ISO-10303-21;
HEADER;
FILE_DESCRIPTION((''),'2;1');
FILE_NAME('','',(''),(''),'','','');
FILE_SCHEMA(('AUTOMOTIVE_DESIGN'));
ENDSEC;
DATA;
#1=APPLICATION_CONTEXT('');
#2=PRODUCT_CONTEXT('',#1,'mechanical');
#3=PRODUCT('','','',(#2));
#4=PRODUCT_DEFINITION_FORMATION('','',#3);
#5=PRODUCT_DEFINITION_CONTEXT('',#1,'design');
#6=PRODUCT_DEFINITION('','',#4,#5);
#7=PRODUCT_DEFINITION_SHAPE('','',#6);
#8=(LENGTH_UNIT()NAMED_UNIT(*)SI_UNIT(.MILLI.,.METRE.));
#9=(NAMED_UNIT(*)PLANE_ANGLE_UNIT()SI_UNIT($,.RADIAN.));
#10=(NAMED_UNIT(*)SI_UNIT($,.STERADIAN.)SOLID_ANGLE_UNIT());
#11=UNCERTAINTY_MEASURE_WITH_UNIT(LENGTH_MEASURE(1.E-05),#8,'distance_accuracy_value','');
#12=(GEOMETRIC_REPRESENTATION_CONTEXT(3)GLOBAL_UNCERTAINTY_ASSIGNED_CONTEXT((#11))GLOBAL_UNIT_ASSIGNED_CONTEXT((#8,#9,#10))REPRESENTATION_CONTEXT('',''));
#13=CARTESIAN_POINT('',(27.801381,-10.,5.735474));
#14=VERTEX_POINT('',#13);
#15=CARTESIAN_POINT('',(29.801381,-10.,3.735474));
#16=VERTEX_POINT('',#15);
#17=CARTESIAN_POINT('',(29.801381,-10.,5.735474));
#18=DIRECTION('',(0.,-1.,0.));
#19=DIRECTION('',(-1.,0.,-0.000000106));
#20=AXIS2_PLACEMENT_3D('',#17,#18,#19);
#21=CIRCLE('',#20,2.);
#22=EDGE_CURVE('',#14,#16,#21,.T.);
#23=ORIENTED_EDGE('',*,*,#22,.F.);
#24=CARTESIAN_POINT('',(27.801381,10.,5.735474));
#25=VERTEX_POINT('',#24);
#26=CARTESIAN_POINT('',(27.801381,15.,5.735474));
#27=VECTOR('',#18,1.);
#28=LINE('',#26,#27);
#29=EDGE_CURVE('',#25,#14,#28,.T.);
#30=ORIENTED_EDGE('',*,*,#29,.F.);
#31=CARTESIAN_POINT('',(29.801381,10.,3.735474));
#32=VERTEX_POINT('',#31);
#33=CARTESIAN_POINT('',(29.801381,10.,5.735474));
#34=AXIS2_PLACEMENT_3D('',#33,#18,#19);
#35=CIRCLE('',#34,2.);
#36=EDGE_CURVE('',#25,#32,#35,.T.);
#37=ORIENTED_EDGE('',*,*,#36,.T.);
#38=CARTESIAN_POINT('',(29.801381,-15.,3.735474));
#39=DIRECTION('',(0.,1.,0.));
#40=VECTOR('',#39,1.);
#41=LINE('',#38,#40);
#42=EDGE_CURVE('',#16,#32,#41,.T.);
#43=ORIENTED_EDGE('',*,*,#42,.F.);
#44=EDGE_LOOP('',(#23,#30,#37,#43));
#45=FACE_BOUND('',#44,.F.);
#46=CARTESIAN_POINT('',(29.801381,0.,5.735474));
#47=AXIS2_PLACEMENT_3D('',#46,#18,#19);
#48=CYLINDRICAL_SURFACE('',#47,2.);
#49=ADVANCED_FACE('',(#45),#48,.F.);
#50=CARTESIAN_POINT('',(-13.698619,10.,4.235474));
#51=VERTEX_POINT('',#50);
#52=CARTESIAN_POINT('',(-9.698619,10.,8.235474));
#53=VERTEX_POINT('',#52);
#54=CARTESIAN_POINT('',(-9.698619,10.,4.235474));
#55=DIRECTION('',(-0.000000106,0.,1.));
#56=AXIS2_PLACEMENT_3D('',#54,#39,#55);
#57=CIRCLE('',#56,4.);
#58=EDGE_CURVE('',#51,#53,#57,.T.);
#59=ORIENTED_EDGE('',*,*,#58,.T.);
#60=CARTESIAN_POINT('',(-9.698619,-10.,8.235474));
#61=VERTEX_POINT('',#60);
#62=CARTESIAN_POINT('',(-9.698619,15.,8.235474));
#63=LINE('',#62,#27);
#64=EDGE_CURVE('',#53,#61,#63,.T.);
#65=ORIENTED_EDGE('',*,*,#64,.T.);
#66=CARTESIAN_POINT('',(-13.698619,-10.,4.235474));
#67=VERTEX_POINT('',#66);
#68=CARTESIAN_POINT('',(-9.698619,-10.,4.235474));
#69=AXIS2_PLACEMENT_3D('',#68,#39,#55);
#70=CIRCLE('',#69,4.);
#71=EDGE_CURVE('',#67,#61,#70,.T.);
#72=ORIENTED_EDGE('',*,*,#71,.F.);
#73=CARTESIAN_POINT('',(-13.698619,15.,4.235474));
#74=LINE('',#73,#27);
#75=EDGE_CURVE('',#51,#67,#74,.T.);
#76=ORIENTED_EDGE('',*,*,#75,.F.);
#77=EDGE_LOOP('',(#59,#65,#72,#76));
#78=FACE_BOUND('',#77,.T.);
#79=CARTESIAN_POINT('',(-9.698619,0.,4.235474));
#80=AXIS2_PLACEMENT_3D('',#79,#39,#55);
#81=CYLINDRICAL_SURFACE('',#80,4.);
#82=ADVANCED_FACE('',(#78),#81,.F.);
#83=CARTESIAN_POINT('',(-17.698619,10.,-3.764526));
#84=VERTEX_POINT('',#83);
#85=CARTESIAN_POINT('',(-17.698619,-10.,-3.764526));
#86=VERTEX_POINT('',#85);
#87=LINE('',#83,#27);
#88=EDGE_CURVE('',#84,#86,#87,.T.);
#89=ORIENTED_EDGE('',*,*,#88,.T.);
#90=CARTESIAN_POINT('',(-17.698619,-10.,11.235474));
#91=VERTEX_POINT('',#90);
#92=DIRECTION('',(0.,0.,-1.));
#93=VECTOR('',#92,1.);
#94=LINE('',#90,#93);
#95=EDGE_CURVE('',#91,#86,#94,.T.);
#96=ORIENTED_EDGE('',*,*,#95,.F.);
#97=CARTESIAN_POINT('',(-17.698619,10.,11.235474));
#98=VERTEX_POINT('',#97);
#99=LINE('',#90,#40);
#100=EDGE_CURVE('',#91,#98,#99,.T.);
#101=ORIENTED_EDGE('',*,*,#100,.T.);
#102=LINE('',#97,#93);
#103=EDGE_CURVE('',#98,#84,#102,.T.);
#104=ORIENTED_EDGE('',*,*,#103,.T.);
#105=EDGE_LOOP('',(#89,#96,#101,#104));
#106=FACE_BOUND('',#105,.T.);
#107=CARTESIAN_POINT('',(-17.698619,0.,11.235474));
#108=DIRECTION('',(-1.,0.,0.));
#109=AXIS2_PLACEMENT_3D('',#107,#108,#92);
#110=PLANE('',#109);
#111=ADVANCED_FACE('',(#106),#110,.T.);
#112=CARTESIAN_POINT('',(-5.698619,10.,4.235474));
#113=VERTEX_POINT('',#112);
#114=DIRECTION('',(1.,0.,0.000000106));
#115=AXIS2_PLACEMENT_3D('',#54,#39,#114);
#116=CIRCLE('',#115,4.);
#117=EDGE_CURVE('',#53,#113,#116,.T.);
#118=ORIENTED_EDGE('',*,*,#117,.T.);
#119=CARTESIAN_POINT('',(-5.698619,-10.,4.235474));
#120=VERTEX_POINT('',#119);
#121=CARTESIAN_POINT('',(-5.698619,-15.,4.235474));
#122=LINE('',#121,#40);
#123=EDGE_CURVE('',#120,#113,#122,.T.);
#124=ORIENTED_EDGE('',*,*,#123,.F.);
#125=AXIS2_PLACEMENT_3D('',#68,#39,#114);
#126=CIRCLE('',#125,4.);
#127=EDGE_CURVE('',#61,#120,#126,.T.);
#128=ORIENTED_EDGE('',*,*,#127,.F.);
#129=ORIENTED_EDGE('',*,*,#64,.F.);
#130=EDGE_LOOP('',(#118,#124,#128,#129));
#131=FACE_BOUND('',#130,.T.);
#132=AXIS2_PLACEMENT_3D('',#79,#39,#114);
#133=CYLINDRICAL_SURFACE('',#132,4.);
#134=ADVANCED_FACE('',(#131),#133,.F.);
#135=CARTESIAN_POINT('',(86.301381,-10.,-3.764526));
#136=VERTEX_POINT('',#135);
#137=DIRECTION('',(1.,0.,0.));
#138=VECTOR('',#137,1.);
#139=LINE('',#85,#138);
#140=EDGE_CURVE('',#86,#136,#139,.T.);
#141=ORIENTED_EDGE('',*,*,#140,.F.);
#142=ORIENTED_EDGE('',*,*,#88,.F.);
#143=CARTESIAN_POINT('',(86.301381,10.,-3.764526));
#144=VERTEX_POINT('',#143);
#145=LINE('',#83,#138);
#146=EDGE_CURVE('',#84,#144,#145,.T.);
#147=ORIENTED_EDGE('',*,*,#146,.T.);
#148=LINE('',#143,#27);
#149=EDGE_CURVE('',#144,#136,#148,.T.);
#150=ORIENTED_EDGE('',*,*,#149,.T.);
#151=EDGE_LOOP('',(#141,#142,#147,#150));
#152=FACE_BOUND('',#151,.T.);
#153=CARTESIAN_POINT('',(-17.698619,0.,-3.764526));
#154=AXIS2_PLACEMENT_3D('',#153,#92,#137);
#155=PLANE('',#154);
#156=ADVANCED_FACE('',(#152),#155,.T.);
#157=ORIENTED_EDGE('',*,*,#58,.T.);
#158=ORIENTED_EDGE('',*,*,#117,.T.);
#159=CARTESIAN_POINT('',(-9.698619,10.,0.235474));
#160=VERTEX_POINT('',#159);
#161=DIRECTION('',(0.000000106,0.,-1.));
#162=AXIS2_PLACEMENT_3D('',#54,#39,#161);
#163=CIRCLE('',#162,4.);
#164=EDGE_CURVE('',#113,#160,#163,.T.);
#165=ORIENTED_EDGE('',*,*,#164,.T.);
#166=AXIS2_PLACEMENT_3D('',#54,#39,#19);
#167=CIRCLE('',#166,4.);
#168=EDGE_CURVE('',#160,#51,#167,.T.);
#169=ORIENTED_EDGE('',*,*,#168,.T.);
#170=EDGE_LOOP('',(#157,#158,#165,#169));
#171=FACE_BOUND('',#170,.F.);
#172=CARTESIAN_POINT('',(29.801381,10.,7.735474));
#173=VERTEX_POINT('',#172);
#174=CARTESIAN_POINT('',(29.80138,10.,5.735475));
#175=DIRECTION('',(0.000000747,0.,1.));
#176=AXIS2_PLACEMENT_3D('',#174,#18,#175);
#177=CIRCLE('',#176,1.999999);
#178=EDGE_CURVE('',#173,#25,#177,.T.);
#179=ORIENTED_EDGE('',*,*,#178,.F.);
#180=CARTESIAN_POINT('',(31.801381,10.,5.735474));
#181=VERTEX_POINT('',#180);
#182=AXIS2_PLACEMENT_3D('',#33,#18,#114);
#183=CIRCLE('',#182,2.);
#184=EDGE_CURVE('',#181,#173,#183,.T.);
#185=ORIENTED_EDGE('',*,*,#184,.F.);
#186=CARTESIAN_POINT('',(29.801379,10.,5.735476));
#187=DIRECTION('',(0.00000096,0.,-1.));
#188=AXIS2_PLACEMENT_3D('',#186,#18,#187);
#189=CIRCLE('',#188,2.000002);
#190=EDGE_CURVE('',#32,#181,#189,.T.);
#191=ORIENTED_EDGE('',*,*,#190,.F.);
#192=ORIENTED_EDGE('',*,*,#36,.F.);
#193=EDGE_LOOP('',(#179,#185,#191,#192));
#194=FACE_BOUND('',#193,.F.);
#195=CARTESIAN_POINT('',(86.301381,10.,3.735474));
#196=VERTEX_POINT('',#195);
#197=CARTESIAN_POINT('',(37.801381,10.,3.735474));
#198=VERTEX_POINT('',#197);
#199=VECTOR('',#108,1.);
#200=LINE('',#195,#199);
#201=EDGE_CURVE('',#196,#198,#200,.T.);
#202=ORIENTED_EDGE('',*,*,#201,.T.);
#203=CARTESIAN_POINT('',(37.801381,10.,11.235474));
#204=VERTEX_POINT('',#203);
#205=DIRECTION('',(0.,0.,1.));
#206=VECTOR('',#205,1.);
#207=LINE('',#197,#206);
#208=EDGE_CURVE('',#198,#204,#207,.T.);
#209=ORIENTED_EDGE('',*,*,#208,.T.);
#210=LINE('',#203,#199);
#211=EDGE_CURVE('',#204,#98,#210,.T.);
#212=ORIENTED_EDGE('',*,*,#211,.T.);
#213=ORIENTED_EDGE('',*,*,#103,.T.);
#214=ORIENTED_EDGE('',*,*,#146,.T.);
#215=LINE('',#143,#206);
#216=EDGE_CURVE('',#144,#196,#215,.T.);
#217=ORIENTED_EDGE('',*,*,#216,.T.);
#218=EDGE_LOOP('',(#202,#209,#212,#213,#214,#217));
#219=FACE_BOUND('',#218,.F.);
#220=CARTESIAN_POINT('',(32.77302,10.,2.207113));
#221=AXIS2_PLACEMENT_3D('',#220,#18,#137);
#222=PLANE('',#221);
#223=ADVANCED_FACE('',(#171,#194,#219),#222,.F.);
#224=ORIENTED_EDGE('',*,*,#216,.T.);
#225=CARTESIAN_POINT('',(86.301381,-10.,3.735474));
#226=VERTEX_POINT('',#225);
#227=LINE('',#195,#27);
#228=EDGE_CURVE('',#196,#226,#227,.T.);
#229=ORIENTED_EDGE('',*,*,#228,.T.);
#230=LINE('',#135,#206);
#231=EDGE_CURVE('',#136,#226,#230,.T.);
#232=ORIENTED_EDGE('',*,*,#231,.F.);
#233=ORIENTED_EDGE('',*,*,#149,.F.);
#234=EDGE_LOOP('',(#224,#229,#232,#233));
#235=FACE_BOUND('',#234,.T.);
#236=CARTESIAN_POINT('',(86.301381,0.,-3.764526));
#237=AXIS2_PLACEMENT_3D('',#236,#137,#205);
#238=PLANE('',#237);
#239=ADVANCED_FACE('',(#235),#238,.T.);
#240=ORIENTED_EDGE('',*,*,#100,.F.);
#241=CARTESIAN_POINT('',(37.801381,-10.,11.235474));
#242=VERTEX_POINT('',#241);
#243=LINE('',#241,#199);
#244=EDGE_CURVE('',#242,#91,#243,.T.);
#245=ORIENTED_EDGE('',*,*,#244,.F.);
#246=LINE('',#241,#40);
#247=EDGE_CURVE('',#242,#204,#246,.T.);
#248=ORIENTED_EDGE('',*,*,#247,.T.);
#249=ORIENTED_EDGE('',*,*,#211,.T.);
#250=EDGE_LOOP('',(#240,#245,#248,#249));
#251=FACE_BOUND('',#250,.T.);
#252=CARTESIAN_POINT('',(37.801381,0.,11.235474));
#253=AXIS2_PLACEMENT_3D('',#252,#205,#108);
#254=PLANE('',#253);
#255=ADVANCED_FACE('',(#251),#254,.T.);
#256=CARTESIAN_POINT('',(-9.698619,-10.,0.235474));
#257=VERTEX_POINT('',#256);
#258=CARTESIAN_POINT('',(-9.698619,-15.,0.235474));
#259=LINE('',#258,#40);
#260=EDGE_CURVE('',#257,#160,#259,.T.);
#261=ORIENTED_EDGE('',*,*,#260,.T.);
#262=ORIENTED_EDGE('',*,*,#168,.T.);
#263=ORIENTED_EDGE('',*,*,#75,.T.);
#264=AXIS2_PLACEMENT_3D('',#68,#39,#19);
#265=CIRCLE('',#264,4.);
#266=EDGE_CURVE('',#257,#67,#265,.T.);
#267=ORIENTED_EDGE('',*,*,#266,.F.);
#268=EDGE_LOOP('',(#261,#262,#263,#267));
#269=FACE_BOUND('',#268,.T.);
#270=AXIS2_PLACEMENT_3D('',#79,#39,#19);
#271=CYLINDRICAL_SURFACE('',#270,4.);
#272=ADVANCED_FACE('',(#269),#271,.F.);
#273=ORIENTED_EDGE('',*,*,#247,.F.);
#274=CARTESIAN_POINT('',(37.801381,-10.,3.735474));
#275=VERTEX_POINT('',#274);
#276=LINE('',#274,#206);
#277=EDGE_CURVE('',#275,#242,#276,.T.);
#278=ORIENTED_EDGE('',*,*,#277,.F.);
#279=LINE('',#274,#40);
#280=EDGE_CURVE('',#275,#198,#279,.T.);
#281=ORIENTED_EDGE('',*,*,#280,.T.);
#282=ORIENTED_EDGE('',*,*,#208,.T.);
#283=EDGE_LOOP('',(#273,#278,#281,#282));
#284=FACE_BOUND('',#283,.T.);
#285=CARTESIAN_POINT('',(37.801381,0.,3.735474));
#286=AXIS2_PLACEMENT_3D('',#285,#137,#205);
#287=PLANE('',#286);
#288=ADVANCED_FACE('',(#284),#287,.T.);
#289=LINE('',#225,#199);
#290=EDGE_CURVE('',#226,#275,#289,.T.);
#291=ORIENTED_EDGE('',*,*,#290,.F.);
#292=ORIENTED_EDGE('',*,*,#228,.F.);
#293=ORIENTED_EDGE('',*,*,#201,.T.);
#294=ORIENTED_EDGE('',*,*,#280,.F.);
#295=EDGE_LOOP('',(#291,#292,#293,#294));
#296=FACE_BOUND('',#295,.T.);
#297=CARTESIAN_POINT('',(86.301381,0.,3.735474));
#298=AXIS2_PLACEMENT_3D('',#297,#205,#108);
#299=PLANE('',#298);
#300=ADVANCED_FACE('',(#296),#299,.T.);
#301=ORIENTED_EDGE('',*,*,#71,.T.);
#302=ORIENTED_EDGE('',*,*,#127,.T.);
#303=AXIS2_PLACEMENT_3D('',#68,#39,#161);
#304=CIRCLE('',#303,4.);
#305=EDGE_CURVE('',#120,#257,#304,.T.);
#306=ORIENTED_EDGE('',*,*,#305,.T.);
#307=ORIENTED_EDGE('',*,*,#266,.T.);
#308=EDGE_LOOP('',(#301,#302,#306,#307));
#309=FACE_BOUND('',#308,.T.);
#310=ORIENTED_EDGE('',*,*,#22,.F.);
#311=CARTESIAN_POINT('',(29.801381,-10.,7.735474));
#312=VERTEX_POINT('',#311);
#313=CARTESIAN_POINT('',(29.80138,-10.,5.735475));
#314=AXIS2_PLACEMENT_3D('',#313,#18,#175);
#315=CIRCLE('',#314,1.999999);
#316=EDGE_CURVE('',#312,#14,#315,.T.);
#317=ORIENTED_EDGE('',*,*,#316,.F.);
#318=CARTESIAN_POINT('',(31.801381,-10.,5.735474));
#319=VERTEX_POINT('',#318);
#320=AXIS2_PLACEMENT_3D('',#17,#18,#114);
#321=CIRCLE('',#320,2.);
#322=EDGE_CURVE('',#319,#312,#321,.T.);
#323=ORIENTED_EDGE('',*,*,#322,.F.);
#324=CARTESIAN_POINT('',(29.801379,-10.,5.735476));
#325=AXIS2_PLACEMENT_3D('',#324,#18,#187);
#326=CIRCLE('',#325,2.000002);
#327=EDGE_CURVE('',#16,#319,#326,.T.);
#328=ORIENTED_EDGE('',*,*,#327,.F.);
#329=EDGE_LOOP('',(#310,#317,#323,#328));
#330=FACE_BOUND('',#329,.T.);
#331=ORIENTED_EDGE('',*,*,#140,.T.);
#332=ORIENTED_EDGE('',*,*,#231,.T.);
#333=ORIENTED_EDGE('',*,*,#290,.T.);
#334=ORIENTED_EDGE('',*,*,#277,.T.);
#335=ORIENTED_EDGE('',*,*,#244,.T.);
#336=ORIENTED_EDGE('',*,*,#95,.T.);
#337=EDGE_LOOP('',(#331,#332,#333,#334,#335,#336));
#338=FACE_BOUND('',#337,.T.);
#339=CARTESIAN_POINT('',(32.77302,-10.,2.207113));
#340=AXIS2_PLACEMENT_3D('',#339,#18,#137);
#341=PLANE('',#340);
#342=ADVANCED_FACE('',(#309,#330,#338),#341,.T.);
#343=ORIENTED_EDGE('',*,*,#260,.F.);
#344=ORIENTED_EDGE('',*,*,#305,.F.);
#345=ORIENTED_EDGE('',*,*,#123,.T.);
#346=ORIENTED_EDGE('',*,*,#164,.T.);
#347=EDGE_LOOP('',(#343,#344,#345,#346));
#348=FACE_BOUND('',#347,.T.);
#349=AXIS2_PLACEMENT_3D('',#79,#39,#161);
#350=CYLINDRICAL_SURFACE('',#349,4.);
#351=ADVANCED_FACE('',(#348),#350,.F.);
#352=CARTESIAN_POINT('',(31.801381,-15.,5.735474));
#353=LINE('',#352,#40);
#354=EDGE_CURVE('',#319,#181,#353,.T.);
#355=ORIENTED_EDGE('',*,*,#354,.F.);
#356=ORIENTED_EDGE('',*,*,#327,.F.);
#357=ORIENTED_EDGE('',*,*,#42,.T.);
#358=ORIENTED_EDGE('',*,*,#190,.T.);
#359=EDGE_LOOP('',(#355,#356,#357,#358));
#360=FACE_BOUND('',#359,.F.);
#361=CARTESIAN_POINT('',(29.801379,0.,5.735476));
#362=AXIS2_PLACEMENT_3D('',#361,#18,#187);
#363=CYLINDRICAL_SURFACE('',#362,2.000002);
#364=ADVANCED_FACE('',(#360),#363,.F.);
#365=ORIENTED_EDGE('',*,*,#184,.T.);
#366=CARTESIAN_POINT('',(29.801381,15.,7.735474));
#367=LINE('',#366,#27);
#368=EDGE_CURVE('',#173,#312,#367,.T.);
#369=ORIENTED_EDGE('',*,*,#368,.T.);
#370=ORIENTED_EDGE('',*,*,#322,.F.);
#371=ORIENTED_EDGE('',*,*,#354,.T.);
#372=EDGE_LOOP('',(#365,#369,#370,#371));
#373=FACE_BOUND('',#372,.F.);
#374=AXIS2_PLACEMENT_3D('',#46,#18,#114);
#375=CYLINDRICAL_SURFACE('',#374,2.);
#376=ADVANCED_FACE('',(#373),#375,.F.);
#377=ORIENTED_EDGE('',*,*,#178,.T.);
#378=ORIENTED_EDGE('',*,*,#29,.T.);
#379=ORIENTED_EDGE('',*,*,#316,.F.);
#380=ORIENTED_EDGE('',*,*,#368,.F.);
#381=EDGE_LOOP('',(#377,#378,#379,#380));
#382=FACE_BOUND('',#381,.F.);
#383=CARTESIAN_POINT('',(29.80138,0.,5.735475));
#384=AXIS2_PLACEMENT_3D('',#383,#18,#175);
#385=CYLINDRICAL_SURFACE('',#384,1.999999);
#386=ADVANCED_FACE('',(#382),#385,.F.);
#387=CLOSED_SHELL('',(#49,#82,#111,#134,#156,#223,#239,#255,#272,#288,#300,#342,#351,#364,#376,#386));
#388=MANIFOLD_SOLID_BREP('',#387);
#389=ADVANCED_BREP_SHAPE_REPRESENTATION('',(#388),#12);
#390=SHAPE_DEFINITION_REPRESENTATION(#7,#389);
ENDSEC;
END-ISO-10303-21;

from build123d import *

# Parameters (mm, degrees)
F1_DEPTH = 10
F3_DEPTH = 15


with BuildPart() as f1:
    # F0 (on Front) → F1 (new body, symmetric)
    with BuildSketch(Plane.XZ):
        Polygon((-17.698619, 11.235474), (-17.698619, -3.764526), (86.301381, -3.764526), (86.301381, 3.735474), (37.801381, 3.735474), (37.801381, 11.235474), align=None)
    extrude(amount=F1_DEPTH, both=True)

    # F2 (on Front) → F3 (cut, symmetric)
    with BuildSketch(Plane.XZ):
        with BuildLine():
            ThreePointArc((-5.698619, 4.235474), (-6.870192, 7.063901), (-9.698619, 8.235474))
            Line((-9.698619, 8.235474), (-9.698619, 4.235474))
            Line((-9.698619, 4.235474), (-5.698619, 4.235474))
        make_face()
        with BuildLine():
            Line((-9.698619, 4.235474), (-9.698619, 8.235474))
            ThreePointArc((-9.698619, 8.235474), (-12.527046, 7.063901), (-13.698619, 4.235474))
            Line((-13.698619, 4.235474), (-9.698619, 4.235474))
        make_face()
        with BuildLine():
            Line((-5.698619, 4.235474), (-9.698619, 4.235474))
            Line((-9.698619, 4.235474), (-9.698619, 0.235474))
            ThreePointArc((-9.698619, 0.235474), (-6.870192, 1.407047), (-5.698619, 4.235474))
        make_face()
        with BuildLine():
            Line((-9.698619, 0.235474), (-9.698619, 4.235474))
            Line((-9.698619, 4.235474), (-13.698619, 4.235474))
            ThreePointArc((-13.698619, 4.235474), (-12.527046, 1.407047), (-9.698619, 0.235474))
        make_face()
        with BuildLine():
            ThreePointArc((31.801381, 5.735474), (31.215594, 7.149688), (29.801381, 7.735474))
            Line((29.801381, 7.735474), (29.801381, 5.735474))
            Line((29.801381, 5.735474), (31.801381, 5.735474))
        make_face()
        with BuildLine():
            Line((29.801381, 5.735474), (29.801381, 7.735474))
            ThreePointArc((29.801381, 7.735474), (28.387167, 7.149688), (27.801381, 5.735474))
            Line((27.801381, 5.735474), (29.801381, 5.735474))
        make_face()
        with BuildLine():
            Line((31.801381, 5.735474), (29.801381, 5.735474))
            Line((29.801381, 5.735474), (29.801381, 3.735474))
            ThreePointArc((29.801381, 3.735474), (31.215594, 4.321261), (31.801381, 5.735474))
        make_face()
        with BuildLine():
            Line((29.801381, 3.735474), (29.801381, 5.735474))
            Line((29.801381, 5.735474), (27.801381, 5.735474))
            ThreePointArc((27.801381, 5.735474), (28.387167, 4.321261), (29.801381, 3.735474))
        make_face()
    extrude(amount=F3_DEPTH, both=True, mode=Mode.SUBTRACT)


solid = f1.part
